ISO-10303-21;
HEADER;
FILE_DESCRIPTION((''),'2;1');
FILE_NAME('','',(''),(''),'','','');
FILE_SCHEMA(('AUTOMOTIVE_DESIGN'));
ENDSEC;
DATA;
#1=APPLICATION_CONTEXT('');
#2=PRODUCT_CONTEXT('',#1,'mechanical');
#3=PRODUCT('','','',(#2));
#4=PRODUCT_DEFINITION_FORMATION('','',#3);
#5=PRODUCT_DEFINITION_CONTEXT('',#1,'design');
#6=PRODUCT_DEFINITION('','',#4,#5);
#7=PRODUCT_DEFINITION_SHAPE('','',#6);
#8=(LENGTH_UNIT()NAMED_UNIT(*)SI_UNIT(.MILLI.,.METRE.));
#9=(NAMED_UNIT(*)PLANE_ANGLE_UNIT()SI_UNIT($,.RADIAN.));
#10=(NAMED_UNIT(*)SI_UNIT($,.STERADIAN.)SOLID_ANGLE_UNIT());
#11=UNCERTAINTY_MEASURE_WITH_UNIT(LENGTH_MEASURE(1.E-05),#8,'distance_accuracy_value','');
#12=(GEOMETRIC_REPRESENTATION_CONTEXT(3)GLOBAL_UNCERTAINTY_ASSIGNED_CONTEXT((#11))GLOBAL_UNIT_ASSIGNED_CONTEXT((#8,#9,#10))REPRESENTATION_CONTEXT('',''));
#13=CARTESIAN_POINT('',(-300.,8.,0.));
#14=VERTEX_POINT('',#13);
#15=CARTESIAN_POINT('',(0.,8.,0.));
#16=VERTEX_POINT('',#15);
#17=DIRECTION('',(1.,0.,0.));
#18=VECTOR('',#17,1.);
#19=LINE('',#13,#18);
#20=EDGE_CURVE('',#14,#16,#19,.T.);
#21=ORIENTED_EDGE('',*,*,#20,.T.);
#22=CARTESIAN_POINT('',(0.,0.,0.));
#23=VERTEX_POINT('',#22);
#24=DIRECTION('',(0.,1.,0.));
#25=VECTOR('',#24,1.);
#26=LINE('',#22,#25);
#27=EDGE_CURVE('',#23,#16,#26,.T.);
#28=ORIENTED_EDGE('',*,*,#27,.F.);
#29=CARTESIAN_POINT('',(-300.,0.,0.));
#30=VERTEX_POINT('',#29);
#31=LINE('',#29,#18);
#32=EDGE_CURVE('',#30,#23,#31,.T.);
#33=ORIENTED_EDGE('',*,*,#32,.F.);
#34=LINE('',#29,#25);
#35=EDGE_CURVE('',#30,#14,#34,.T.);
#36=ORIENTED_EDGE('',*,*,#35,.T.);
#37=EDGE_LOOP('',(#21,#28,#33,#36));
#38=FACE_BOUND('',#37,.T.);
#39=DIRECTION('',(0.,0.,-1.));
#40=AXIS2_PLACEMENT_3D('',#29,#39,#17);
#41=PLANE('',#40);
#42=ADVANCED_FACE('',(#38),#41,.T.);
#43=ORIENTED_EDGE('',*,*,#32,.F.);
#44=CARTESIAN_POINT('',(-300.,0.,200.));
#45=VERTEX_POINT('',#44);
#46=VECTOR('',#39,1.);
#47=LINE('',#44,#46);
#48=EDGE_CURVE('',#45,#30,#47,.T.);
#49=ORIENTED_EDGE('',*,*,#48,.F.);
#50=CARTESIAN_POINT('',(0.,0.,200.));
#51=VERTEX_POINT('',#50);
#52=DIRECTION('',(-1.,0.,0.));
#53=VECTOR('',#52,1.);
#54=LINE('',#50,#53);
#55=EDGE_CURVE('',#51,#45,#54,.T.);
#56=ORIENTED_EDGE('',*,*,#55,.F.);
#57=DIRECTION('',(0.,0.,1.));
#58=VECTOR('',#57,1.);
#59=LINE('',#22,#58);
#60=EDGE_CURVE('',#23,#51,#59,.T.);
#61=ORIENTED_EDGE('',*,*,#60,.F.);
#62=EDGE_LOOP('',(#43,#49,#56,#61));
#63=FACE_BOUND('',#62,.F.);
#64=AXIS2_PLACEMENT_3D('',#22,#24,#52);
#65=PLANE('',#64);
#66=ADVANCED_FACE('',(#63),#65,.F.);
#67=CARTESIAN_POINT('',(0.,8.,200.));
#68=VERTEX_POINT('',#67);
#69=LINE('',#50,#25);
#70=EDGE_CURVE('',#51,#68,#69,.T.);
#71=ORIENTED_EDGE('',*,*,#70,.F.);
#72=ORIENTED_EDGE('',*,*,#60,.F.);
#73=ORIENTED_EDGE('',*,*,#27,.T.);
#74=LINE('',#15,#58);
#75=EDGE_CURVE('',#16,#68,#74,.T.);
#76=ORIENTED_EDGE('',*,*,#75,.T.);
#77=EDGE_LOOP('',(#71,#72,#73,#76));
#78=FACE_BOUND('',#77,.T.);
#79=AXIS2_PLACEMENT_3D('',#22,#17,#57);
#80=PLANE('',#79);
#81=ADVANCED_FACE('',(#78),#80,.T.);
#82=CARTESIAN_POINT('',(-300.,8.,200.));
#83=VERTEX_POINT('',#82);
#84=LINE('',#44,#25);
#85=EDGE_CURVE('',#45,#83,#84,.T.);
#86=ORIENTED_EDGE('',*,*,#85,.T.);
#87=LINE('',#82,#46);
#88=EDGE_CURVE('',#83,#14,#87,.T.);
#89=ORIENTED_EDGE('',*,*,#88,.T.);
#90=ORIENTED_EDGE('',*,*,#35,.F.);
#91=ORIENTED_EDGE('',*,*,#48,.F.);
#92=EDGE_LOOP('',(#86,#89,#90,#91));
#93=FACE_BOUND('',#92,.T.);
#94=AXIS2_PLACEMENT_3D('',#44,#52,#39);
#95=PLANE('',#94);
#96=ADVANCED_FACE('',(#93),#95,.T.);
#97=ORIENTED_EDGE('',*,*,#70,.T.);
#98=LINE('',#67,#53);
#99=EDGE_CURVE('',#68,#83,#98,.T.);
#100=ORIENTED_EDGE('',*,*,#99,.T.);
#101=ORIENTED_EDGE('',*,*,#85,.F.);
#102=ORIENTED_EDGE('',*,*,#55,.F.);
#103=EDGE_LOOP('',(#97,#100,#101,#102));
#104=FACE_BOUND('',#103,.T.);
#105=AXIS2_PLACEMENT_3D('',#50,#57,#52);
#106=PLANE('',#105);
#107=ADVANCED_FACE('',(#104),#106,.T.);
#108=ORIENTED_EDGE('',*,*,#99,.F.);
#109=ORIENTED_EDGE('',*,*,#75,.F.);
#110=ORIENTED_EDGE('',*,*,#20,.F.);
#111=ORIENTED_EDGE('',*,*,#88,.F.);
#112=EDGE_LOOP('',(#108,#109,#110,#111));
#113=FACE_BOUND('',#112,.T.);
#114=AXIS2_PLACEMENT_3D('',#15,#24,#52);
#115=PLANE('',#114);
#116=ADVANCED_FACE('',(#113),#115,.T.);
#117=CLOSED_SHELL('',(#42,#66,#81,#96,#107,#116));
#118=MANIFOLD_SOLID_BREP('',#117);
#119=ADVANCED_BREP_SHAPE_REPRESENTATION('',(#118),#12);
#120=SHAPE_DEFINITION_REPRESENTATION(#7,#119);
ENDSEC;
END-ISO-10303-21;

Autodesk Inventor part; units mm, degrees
ref_plane "YZ Plane" through (0, 0, 0) normal (1, 0, 0) x (0, 1, 0)
ref_plane "XZ Plane" through (0, 0, 0) normal (0, 1, 0) x (-1, 0, 0)
ref_plane "XY Plane" through (0, 0, 0) normal (0, 0, 1) x (1, 0, 0)
sketch "Sketch1" plane through (0, 0, 0) normal (0, 1, 0) x (-1, 0, 0)
  line L0 (0, 0) -> (0, 200)
  line L1 (0, 200) -> (300, 200)
  line L2 (300, 200) -> (300, 0)
  line L3 (300, 0) -> (0, 0)
  dimension "d0" = 200
  dimension "d1" = 300
extrude "Extrusion1" add sketch "Sketch1" along normal blind 8
equation "\"PointX0\" = 0"
equation "\"PointY0\" = 0"
equation "\"PointZ0\" = 0"
equation "\"PointX1\" = 0"
equation "\"PointZ1\" = 0"
equation "\"PointZ2\" = 0"
equation "\"PointY3\" = 0"
equation "\"PointZ3\" = 0"
equation "\"length\" = 8"
properties part number "Generic8inFloor0" material "-=Choose Material=-"
